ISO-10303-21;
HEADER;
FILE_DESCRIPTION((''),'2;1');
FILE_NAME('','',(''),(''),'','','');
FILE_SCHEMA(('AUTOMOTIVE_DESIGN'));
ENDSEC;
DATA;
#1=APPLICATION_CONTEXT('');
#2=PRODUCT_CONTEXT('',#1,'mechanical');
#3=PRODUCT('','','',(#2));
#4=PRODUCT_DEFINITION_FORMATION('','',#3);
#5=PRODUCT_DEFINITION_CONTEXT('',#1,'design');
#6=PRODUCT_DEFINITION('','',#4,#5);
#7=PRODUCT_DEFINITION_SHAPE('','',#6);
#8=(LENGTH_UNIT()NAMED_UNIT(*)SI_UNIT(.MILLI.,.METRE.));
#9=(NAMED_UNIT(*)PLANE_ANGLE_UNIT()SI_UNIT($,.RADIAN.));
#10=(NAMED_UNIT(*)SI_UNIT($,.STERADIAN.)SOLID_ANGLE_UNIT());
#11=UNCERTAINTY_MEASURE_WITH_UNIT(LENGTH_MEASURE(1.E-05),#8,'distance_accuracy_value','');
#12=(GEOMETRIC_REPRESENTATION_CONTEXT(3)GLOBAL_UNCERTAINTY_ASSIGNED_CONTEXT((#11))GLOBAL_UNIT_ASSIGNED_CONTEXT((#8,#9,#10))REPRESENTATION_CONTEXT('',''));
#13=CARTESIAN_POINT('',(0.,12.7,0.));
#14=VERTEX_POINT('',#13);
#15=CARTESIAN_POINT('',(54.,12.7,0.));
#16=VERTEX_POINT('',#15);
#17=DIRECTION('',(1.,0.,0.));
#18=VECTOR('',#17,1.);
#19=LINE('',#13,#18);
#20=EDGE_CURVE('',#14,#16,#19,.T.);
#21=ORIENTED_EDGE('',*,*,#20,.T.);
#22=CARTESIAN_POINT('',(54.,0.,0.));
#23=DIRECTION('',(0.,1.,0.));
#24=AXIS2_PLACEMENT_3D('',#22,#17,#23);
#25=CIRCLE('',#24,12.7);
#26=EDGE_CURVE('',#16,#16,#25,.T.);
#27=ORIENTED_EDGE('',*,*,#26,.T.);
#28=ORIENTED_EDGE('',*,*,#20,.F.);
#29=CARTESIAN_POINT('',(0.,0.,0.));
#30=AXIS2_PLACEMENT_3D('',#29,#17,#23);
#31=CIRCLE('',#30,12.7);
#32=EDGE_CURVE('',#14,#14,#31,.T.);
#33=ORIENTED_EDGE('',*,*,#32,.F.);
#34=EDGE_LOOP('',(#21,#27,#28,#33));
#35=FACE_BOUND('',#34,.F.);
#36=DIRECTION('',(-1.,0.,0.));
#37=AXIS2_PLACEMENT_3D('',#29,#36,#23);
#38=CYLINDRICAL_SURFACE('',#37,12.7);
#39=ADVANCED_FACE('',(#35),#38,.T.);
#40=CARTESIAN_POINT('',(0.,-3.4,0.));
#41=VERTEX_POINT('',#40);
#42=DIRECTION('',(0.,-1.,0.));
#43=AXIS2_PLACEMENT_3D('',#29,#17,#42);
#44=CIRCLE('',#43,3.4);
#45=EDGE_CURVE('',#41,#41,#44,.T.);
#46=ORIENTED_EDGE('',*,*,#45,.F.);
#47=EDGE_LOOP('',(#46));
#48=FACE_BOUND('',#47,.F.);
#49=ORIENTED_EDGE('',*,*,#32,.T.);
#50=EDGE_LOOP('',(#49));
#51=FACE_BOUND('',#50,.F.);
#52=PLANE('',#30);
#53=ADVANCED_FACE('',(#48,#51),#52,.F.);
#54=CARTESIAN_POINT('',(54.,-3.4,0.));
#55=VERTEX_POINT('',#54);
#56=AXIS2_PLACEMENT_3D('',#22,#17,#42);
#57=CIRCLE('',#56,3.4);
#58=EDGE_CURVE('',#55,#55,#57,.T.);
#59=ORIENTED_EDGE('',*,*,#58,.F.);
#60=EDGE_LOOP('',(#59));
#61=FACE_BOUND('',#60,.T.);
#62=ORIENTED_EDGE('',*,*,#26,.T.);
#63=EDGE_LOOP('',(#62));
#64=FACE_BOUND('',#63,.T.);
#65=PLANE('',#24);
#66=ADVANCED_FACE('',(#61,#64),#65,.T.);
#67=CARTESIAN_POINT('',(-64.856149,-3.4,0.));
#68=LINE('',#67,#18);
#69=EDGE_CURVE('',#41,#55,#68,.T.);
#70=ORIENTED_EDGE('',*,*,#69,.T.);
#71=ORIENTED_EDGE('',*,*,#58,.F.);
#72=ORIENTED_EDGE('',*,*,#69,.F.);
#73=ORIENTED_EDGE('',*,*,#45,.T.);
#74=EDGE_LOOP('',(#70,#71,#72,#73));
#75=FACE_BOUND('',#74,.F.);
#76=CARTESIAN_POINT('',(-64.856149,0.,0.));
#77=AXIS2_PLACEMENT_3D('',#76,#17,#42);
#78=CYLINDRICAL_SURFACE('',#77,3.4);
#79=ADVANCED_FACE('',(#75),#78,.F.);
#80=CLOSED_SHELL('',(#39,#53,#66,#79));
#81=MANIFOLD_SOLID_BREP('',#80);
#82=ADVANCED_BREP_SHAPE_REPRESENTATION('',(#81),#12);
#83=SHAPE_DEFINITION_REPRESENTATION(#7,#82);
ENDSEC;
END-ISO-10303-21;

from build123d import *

# Parameters (mm, degrees)
F0_R     = 12.7
F1_DEPTH = 54
F3_D     = 6.8


with BuildPart() as f1:
    # F0 (on Right) → F1 (new body)
    with BuildSketch(Plane.YZ):
        Circle(F0_R)
    extrude(amount=F1_DEPTH)

    # F3 (through all)
    with Locations(Plane(origin=(0, 0, 0), x_dir=(0, 1, 0), z_dir=(-1, 0, 0))):
        with Locations((0, 0)):
            Hole(F3_D / 2)


solid = f1.part
